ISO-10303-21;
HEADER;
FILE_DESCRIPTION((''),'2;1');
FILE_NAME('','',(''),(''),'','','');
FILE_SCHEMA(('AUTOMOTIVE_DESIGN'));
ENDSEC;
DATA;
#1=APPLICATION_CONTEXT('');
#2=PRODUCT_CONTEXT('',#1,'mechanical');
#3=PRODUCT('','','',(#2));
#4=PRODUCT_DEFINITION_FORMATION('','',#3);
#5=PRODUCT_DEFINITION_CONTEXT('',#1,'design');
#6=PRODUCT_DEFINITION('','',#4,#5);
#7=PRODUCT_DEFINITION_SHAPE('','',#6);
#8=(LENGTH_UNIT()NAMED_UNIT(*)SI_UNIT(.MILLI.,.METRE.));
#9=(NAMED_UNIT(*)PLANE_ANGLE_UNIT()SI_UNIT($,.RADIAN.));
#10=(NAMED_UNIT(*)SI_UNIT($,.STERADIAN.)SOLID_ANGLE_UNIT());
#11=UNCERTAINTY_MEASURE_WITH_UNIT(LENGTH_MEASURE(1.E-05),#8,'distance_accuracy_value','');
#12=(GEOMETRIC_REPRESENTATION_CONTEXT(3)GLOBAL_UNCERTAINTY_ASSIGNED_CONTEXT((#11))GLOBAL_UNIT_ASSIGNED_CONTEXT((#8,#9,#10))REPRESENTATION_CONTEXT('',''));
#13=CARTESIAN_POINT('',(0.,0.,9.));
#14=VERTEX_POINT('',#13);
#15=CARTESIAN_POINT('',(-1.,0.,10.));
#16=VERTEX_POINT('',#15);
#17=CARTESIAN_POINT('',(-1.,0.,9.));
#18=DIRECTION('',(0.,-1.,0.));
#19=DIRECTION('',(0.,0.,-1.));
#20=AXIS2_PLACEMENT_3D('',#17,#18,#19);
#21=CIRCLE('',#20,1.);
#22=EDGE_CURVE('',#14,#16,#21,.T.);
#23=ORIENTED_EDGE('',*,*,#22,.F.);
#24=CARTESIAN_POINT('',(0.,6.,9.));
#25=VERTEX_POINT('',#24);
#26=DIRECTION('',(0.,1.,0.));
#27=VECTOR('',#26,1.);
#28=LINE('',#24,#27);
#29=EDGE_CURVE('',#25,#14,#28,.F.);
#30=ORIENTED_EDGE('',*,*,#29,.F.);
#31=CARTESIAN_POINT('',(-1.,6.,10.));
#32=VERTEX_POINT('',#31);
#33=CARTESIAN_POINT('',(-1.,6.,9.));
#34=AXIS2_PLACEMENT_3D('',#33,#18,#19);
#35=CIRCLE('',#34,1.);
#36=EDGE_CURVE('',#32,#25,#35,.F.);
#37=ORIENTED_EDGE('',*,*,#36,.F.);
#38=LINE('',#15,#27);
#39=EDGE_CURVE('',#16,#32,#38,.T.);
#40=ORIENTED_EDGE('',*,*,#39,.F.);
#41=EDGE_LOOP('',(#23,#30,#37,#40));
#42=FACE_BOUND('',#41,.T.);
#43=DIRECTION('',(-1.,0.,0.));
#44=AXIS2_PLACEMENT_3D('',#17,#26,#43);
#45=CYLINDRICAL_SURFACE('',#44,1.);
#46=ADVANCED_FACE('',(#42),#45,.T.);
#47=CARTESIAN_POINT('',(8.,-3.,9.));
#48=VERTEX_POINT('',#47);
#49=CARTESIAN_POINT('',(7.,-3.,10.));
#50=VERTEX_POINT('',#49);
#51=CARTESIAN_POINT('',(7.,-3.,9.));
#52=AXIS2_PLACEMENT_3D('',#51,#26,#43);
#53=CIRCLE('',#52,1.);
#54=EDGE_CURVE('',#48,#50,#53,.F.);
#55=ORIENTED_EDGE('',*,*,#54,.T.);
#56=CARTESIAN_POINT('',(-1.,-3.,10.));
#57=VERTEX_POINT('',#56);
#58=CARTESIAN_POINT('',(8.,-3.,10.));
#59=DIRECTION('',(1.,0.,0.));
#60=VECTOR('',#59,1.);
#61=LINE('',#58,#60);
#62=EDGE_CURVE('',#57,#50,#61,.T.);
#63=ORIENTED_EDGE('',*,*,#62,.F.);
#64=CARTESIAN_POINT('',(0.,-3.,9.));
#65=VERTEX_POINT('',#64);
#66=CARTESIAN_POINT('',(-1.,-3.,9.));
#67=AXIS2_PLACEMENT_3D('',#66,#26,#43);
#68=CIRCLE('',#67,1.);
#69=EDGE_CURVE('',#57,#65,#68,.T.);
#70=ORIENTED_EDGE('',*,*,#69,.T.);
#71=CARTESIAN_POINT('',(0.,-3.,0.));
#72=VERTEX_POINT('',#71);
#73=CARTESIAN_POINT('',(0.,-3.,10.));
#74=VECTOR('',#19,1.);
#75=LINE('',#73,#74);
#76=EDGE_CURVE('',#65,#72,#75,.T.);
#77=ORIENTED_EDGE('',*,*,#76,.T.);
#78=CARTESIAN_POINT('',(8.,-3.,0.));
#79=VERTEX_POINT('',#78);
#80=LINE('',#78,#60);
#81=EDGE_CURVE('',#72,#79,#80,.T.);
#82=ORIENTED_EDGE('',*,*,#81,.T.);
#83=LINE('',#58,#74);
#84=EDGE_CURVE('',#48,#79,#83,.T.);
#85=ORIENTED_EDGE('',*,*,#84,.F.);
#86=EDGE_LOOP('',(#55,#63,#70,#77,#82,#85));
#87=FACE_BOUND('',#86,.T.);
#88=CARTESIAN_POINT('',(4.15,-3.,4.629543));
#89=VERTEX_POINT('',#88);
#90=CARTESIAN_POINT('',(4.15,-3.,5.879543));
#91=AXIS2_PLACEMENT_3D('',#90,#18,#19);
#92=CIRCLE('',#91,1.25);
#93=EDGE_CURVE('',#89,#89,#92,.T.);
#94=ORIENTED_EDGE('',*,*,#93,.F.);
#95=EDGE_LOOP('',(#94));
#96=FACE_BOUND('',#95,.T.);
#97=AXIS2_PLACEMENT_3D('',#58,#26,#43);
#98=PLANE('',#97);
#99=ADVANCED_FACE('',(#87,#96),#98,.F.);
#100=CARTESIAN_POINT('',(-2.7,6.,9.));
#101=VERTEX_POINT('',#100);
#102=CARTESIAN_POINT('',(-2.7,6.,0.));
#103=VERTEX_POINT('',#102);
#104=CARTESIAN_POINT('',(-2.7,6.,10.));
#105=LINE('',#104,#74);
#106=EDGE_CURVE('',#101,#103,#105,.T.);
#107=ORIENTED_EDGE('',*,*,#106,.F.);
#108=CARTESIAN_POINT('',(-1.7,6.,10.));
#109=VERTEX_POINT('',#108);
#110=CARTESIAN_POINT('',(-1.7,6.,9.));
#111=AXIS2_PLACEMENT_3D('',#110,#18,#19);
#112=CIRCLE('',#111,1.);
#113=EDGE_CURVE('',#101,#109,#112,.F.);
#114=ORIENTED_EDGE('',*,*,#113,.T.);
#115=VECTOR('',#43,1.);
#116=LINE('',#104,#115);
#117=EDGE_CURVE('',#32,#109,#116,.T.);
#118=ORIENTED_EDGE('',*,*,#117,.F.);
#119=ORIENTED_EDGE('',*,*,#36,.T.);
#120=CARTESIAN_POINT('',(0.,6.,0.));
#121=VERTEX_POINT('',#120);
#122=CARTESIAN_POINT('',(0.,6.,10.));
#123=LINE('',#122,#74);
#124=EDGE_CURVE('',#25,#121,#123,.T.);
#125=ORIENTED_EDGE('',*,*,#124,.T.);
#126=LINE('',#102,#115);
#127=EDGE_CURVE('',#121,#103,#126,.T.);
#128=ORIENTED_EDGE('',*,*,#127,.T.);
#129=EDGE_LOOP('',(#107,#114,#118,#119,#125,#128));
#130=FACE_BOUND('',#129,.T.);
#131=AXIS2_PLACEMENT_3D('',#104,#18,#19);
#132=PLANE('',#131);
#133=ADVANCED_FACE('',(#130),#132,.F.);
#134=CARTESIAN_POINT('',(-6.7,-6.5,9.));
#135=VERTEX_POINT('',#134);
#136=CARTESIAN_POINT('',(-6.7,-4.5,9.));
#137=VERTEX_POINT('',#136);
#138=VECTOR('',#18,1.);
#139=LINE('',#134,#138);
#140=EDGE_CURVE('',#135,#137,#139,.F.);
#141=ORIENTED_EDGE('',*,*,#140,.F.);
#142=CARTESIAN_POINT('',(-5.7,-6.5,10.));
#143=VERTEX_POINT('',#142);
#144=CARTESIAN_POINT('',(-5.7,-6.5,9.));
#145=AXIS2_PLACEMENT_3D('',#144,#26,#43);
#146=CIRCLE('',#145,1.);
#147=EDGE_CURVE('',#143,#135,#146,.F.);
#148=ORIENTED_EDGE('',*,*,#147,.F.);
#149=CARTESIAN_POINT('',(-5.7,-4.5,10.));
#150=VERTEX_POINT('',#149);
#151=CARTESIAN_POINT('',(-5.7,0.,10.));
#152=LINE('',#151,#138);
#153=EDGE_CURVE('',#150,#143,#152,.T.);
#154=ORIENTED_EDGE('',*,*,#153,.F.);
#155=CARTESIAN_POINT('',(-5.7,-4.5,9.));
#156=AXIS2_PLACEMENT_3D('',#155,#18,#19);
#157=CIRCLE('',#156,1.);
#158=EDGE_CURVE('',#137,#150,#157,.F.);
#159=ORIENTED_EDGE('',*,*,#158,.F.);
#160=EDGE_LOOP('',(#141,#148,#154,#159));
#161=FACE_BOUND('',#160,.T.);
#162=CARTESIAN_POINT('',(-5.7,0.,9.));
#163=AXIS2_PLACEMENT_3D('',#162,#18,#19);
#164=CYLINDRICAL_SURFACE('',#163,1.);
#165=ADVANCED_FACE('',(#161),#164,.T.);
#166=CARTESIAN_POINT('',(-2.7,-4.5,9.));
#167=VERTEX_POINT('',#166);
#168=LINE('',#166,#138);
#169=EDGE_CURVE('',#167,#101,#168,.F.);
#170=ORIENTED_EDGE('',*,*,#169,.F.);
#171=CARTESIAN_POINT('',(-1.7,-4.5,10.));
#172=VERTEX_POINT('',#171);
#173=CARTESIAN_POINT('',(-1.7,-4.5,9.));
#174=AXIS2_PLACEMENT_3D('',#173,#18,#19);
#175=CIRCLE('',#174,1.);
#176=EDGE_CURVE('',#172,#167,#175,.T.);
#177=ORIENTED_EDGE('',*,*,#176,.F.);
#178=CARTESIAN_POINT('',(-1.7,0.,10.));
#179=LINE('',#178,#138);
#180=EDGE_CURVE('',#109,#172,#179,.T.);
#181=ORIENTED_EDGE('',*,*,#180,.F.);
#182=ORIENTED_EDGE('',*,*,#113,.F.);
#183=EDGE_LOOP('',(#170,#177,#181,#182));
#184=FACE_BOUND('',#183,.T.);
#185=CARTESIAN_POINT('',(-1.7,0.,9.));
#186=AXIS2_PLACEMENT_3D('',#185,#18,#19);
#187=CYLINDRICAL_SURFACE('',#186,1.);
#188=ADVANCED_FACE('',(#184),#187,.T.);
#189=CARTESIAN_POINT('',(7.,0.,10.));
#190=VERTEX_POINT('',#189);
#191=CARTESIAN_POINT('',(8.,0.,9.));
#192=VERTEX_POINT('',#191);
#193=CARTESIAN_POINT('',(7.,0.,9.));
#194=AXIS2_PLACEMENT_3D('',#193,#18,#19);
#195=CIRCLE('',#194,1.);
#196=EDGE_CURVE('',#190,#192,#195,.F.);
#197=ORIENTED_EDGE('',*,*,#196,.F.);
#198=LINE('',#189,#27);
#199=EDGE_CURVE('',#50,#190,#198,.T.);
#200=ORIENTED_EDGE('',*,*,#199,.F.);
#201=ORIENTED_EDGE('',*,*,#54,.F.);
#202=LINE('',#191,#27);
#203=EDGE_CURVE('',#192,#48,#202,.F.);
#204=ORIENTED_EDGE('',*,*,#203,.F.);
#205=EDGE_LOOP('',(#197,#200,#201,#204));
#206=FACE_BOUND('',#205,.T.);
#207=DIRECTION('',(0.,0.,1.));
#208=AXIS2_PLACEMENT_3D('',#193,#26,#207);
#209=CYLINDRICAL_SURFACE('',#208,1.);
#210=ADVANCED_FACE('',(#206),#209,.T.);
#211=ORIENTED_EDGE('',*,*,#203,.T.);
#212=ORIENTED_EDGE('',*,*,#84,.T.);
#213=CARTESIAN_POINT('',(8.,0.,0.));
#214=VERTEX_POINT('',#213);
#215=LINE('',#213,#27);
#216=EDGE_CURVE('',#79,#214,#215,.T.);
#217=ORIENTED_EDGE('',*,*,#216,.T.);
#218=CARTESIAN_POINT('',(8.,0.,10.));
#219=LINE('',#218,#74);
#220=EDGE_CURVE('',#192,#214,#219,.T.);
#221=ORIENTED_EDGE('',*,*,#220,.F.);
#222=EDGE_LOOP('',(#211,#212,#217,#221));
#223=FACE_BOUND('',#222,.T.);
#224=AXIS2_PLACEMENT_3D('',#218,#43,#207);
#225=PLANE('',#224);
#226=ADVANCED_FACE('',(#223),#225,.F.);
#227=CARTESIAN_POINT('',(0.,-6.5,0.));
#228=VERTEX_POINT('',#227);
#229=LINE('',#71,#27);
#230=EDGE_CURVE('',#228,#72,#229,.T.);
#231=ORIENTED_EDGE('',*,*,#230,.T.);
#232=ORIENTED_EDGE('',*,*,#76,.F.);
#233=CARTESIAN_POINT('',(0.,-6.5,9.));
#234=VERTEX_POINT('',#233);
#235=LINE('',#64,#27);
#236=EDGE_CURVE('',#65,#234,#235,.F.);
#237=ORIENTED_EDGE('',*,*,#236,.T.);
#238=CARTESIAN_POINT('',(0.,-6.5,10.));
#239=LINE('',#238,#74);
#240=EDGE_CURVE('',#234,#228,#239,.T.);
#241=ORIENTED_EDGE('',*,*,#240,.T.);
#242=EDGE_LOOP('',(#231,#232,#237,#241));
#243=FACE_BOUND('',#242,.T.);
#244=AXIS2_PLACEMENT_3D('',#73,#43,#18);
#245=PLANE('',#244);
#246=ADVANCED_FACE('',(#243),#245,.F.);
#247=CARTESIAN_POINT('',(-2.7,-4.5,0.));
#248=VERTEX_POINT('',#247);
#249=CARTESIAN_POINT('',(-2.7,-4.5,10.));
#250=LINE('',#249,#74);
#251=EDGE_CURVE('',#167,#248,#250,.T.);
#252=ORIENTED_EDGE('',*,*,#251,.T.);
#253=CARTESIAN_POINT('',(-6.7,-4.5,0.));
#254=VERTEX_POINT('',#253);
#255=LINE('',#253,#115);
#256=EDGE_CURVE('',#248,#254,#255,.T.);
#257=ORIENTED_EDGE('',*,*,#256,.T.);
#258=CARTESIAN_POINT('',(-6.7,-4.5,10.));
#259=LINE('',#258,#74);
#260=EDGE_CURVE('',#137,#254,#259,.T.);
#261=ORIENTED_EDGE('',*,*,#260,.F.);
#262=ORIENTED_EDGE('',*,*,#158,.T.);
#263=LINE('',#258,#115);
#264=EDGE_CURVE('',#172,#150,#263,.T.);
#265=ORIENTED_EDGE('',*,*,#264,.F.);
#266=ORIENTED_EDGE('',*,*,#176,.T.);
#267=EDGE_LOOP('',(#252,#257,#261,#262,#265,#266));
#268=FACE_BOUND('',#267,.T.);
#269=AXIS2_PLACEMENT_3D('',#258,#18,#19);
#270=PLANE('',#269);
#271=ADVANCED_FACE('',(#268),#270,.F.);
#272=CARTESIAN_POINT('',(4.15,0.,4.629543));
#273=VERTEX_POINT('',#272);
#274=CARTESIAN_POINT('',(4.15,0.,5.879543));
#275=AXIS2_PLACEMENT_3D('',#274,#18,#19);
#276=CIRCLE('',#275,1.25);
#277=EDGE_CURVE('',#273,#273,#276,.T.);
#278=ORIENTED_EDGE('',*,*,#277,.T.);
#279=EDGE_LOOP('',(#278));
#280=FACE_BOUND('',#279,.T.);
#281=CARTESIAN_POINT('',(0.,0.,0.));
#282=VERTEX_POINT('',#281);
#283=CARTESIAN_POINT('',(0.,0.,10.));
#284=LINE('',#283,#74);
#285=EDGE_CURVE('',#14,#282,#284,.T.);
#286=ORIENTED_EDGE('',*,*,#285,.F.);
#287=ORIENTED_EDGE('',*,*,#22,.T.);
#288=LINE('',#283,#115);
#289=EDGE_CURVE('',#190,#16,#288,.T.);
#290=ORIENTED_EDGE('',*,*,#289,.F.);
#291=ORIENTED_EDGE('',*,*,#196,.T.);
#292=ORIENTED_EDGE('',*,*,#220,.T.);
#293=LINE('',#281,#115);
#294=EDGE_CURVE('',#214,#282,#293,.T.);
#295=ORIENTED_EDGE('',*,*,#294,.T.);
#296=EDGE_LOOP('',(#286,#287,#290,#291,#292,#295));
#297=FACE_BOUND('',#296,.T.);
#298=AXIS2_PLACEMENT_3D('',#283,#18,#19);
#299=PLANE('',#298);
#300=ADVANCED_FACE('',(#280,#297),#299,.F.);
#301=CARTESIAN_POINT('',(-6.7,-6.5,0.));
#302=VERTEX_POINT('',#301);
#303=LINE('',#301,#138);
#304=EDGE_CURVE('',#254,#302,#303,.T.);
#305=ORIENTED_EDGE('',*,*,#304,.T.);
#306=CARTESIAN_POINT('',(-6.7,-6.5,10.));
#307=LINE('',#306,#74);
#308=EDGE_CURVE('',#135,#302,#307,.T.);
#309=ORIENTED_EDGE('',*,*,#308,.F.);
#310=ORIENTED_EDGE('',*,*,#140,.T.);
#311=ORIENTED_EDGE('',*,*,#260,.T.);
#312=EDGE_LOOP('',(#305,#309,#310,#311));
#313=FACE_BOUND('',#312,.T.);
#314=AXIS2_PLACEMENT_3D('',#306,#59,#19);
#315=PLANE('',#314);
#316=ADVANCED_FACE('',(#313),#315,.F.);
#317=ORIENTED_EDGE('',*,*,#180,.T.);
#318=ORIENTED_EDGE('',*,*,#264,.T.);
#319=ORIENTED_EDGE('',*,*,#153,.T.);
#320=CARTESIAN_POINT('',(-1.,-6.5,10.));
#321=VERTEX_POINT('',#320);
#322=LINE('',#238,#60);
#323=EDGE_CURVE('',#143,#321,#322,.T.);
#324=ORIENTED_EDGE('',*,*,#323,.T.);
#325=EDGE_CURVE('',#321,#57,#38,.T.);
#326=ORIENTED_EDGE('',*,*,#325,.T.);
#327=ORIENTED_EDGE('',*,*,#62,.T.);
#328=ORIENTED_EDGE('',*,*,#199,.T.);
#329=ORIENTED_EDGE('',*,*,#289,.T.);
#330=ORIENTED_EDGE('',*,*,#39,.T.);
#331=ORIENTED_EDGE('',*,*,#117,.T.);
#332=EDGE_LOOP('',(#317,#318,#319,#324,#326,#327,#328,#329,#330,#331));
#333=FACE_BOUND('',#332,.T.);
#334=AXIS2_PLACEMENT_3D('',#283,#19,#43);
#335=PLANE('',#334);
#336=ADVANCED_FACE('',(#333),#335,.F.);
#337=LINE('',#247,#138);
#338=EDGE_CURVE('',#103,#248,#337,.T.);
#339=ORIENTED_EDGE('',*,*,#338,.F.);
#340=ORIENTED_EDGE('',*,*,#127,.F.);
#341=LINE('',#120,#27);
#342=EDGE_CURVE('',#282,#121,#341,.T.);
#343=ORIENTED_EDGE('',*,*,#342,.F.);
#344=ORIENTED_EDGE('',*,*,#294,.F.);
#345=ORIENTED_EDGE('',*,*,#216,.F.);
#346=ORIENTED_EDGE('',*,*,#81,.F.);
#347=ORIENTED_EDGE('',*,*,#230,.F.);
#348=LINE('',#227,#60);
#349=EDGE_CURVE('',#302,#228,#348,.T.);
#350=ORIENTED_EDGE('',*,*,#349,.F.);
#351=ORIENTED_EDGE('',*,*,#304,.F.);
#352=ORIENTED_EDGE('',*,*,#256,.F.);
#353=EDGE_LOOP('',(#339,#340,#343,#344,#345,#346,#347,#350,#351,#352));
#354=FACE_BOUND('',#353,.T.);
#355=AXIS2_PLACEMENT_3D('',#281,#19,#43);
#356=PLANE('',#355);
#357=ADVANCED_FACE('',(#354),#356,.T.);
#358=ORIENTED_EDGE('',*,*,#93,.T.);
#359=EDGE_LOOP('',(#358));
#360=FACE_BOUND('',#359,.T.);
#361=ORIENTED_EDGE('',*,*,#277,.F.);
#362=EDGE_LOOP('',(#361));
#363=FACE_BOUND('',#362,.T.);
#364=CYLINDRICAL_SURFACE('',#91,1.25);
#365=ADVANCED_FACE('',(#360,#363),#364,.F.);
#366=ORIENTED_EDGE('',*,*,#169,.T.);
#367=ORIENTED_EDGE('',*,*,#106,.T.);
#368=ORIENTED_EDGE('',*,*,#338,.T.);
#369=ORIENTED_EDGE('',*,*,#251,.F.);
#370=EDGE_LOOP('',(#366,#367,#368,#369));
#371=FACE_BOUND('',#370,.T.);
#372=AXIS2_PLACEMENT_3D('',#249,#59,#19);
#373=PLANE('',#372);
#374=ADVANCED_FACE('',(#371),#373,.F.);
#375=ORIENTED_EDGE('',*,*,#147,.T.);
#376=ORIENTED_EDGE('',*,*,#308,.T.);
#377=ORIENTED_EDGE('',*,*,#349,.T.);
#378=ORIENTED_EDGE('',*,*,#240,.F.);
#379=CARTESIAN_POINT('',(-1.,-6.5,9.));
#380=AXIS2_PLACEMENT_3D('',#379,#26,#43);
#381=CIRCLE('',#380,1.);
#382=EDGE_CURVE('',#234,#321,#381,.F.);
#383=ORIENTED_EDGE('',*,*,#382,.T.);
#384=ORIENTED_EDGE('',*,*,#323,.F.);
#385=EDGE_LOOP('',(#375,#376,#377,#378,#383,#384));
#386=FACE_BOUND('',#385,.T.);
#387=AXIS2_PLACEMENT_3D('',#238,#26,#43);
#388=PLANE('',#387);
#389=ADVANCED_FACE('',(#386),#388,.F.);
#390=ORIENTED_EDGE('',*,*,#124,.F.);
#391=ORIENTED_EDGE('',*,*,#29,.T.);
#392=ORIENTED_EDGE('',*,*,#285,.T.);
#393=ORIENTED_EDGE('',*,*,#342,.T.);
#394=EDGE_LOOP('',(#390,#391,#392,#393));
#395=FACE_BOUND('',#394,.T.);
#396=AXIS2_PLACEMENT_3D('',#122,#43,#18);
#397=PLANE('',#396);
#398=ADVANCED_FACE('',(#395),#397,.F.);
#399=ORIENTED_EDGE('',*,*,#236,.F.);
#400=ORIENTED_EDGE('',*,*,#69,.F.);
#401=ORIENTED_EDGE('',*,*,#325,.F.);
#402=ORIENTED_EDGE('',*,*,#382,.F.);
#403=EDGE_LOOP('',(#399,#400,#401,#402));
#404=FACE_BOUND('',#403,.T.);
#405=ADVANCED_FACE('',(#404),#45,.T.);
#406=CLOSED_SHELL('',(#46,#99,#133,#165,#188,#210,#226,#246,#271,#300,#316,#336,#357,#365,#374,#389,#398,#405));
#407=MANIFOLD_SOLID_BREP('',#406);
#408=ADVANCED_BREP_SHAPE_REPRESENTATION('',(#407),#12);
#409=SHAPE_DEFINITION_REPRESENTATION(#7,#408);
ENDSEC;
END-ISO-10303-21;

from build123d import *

# Parameters (mm, degrees)
AUFSATZ_LINEAR_AUSTRAGEN1_DEPTH      = 10
F_2_5_2_5_DURCHMESSER_BOHRUNG1_D     = 2.5
F_2_5_2_5_DURCHMESSER_BOHRUNG1_DEPTH = 5
F_2_5_2_5_DURCHMESSER_BOHRUNG1_TIP   = 0.751075774
VERRUNDUNG1_R                        = 1
VERRUNDUNG2_R                        = 1


with BuildPart() as part:
    # Skizze1 → Aufsatz-Linear austragen1 (new body)
    with BuildSketch(Plane.XY):
        Polygon((-2.7, 6), (0, 6), (0, 0), (8, 0), (8, -3), (0, -3), (0, -6.5), (-6.7, -6.5), (-6.7, -4.5), (-2.7, -4.5), align=None)
    extrude(amount=AUFSATZ_LINEAR_AUSTRAGEN1_DEPTH)

    # Ø2.5 (2.5) Durchmesser Bohrung1
    with Locations(Plane(origin=(0, -3, 0), x_dir=(-1, 0, 0), z_dir=(0, -1, 0))):
        with Locations((-4.15, -5.879543152)):
            Hole(F_2_5_2_5_DURCHMESSER_BOHRUNG1_D / 2, depth=F_2_5_2_5_DURCHMESSER_BOHRUNG1_DEPTH)
            with Locations((0, 0, -(F_2_5_2_5_DURCHMESSER_BOHRUNG1_DEPTH + F_2_5_2_5_DURCHMESSER_BOHRUNG1_TIP / 2))):  # 118° drill point
                Cone(0, F_2_5_2_5_DURCHMESSER_BOHRUNG1_D / 2, F_2_5_2_5_DURCHMESSER_BOHRUNG1_TIP, mode=Mode.SUBTRACT)

    # Verrundung1
    verrundung1_edges = [part.edges().sort_by_distance(p)[0] for p in [
        (-6.7, -5.5, 10),
        (0, -4.75, 10),
        (8, -1.5, 10),
        (0, 3, 10),
    ]]
    fillet(verrundung1_edges, radius=VERRUNDUNG1_R)

    # Verrundung2
    verrundung2_edges = [part.edges().sort_by_distance(p)[0] for p in [
        (-2.7, 0.75, 10),
    ]]
    fillet(verrundung2_edges, radius=VERRUNDUNG2_R)


solid = part.part
